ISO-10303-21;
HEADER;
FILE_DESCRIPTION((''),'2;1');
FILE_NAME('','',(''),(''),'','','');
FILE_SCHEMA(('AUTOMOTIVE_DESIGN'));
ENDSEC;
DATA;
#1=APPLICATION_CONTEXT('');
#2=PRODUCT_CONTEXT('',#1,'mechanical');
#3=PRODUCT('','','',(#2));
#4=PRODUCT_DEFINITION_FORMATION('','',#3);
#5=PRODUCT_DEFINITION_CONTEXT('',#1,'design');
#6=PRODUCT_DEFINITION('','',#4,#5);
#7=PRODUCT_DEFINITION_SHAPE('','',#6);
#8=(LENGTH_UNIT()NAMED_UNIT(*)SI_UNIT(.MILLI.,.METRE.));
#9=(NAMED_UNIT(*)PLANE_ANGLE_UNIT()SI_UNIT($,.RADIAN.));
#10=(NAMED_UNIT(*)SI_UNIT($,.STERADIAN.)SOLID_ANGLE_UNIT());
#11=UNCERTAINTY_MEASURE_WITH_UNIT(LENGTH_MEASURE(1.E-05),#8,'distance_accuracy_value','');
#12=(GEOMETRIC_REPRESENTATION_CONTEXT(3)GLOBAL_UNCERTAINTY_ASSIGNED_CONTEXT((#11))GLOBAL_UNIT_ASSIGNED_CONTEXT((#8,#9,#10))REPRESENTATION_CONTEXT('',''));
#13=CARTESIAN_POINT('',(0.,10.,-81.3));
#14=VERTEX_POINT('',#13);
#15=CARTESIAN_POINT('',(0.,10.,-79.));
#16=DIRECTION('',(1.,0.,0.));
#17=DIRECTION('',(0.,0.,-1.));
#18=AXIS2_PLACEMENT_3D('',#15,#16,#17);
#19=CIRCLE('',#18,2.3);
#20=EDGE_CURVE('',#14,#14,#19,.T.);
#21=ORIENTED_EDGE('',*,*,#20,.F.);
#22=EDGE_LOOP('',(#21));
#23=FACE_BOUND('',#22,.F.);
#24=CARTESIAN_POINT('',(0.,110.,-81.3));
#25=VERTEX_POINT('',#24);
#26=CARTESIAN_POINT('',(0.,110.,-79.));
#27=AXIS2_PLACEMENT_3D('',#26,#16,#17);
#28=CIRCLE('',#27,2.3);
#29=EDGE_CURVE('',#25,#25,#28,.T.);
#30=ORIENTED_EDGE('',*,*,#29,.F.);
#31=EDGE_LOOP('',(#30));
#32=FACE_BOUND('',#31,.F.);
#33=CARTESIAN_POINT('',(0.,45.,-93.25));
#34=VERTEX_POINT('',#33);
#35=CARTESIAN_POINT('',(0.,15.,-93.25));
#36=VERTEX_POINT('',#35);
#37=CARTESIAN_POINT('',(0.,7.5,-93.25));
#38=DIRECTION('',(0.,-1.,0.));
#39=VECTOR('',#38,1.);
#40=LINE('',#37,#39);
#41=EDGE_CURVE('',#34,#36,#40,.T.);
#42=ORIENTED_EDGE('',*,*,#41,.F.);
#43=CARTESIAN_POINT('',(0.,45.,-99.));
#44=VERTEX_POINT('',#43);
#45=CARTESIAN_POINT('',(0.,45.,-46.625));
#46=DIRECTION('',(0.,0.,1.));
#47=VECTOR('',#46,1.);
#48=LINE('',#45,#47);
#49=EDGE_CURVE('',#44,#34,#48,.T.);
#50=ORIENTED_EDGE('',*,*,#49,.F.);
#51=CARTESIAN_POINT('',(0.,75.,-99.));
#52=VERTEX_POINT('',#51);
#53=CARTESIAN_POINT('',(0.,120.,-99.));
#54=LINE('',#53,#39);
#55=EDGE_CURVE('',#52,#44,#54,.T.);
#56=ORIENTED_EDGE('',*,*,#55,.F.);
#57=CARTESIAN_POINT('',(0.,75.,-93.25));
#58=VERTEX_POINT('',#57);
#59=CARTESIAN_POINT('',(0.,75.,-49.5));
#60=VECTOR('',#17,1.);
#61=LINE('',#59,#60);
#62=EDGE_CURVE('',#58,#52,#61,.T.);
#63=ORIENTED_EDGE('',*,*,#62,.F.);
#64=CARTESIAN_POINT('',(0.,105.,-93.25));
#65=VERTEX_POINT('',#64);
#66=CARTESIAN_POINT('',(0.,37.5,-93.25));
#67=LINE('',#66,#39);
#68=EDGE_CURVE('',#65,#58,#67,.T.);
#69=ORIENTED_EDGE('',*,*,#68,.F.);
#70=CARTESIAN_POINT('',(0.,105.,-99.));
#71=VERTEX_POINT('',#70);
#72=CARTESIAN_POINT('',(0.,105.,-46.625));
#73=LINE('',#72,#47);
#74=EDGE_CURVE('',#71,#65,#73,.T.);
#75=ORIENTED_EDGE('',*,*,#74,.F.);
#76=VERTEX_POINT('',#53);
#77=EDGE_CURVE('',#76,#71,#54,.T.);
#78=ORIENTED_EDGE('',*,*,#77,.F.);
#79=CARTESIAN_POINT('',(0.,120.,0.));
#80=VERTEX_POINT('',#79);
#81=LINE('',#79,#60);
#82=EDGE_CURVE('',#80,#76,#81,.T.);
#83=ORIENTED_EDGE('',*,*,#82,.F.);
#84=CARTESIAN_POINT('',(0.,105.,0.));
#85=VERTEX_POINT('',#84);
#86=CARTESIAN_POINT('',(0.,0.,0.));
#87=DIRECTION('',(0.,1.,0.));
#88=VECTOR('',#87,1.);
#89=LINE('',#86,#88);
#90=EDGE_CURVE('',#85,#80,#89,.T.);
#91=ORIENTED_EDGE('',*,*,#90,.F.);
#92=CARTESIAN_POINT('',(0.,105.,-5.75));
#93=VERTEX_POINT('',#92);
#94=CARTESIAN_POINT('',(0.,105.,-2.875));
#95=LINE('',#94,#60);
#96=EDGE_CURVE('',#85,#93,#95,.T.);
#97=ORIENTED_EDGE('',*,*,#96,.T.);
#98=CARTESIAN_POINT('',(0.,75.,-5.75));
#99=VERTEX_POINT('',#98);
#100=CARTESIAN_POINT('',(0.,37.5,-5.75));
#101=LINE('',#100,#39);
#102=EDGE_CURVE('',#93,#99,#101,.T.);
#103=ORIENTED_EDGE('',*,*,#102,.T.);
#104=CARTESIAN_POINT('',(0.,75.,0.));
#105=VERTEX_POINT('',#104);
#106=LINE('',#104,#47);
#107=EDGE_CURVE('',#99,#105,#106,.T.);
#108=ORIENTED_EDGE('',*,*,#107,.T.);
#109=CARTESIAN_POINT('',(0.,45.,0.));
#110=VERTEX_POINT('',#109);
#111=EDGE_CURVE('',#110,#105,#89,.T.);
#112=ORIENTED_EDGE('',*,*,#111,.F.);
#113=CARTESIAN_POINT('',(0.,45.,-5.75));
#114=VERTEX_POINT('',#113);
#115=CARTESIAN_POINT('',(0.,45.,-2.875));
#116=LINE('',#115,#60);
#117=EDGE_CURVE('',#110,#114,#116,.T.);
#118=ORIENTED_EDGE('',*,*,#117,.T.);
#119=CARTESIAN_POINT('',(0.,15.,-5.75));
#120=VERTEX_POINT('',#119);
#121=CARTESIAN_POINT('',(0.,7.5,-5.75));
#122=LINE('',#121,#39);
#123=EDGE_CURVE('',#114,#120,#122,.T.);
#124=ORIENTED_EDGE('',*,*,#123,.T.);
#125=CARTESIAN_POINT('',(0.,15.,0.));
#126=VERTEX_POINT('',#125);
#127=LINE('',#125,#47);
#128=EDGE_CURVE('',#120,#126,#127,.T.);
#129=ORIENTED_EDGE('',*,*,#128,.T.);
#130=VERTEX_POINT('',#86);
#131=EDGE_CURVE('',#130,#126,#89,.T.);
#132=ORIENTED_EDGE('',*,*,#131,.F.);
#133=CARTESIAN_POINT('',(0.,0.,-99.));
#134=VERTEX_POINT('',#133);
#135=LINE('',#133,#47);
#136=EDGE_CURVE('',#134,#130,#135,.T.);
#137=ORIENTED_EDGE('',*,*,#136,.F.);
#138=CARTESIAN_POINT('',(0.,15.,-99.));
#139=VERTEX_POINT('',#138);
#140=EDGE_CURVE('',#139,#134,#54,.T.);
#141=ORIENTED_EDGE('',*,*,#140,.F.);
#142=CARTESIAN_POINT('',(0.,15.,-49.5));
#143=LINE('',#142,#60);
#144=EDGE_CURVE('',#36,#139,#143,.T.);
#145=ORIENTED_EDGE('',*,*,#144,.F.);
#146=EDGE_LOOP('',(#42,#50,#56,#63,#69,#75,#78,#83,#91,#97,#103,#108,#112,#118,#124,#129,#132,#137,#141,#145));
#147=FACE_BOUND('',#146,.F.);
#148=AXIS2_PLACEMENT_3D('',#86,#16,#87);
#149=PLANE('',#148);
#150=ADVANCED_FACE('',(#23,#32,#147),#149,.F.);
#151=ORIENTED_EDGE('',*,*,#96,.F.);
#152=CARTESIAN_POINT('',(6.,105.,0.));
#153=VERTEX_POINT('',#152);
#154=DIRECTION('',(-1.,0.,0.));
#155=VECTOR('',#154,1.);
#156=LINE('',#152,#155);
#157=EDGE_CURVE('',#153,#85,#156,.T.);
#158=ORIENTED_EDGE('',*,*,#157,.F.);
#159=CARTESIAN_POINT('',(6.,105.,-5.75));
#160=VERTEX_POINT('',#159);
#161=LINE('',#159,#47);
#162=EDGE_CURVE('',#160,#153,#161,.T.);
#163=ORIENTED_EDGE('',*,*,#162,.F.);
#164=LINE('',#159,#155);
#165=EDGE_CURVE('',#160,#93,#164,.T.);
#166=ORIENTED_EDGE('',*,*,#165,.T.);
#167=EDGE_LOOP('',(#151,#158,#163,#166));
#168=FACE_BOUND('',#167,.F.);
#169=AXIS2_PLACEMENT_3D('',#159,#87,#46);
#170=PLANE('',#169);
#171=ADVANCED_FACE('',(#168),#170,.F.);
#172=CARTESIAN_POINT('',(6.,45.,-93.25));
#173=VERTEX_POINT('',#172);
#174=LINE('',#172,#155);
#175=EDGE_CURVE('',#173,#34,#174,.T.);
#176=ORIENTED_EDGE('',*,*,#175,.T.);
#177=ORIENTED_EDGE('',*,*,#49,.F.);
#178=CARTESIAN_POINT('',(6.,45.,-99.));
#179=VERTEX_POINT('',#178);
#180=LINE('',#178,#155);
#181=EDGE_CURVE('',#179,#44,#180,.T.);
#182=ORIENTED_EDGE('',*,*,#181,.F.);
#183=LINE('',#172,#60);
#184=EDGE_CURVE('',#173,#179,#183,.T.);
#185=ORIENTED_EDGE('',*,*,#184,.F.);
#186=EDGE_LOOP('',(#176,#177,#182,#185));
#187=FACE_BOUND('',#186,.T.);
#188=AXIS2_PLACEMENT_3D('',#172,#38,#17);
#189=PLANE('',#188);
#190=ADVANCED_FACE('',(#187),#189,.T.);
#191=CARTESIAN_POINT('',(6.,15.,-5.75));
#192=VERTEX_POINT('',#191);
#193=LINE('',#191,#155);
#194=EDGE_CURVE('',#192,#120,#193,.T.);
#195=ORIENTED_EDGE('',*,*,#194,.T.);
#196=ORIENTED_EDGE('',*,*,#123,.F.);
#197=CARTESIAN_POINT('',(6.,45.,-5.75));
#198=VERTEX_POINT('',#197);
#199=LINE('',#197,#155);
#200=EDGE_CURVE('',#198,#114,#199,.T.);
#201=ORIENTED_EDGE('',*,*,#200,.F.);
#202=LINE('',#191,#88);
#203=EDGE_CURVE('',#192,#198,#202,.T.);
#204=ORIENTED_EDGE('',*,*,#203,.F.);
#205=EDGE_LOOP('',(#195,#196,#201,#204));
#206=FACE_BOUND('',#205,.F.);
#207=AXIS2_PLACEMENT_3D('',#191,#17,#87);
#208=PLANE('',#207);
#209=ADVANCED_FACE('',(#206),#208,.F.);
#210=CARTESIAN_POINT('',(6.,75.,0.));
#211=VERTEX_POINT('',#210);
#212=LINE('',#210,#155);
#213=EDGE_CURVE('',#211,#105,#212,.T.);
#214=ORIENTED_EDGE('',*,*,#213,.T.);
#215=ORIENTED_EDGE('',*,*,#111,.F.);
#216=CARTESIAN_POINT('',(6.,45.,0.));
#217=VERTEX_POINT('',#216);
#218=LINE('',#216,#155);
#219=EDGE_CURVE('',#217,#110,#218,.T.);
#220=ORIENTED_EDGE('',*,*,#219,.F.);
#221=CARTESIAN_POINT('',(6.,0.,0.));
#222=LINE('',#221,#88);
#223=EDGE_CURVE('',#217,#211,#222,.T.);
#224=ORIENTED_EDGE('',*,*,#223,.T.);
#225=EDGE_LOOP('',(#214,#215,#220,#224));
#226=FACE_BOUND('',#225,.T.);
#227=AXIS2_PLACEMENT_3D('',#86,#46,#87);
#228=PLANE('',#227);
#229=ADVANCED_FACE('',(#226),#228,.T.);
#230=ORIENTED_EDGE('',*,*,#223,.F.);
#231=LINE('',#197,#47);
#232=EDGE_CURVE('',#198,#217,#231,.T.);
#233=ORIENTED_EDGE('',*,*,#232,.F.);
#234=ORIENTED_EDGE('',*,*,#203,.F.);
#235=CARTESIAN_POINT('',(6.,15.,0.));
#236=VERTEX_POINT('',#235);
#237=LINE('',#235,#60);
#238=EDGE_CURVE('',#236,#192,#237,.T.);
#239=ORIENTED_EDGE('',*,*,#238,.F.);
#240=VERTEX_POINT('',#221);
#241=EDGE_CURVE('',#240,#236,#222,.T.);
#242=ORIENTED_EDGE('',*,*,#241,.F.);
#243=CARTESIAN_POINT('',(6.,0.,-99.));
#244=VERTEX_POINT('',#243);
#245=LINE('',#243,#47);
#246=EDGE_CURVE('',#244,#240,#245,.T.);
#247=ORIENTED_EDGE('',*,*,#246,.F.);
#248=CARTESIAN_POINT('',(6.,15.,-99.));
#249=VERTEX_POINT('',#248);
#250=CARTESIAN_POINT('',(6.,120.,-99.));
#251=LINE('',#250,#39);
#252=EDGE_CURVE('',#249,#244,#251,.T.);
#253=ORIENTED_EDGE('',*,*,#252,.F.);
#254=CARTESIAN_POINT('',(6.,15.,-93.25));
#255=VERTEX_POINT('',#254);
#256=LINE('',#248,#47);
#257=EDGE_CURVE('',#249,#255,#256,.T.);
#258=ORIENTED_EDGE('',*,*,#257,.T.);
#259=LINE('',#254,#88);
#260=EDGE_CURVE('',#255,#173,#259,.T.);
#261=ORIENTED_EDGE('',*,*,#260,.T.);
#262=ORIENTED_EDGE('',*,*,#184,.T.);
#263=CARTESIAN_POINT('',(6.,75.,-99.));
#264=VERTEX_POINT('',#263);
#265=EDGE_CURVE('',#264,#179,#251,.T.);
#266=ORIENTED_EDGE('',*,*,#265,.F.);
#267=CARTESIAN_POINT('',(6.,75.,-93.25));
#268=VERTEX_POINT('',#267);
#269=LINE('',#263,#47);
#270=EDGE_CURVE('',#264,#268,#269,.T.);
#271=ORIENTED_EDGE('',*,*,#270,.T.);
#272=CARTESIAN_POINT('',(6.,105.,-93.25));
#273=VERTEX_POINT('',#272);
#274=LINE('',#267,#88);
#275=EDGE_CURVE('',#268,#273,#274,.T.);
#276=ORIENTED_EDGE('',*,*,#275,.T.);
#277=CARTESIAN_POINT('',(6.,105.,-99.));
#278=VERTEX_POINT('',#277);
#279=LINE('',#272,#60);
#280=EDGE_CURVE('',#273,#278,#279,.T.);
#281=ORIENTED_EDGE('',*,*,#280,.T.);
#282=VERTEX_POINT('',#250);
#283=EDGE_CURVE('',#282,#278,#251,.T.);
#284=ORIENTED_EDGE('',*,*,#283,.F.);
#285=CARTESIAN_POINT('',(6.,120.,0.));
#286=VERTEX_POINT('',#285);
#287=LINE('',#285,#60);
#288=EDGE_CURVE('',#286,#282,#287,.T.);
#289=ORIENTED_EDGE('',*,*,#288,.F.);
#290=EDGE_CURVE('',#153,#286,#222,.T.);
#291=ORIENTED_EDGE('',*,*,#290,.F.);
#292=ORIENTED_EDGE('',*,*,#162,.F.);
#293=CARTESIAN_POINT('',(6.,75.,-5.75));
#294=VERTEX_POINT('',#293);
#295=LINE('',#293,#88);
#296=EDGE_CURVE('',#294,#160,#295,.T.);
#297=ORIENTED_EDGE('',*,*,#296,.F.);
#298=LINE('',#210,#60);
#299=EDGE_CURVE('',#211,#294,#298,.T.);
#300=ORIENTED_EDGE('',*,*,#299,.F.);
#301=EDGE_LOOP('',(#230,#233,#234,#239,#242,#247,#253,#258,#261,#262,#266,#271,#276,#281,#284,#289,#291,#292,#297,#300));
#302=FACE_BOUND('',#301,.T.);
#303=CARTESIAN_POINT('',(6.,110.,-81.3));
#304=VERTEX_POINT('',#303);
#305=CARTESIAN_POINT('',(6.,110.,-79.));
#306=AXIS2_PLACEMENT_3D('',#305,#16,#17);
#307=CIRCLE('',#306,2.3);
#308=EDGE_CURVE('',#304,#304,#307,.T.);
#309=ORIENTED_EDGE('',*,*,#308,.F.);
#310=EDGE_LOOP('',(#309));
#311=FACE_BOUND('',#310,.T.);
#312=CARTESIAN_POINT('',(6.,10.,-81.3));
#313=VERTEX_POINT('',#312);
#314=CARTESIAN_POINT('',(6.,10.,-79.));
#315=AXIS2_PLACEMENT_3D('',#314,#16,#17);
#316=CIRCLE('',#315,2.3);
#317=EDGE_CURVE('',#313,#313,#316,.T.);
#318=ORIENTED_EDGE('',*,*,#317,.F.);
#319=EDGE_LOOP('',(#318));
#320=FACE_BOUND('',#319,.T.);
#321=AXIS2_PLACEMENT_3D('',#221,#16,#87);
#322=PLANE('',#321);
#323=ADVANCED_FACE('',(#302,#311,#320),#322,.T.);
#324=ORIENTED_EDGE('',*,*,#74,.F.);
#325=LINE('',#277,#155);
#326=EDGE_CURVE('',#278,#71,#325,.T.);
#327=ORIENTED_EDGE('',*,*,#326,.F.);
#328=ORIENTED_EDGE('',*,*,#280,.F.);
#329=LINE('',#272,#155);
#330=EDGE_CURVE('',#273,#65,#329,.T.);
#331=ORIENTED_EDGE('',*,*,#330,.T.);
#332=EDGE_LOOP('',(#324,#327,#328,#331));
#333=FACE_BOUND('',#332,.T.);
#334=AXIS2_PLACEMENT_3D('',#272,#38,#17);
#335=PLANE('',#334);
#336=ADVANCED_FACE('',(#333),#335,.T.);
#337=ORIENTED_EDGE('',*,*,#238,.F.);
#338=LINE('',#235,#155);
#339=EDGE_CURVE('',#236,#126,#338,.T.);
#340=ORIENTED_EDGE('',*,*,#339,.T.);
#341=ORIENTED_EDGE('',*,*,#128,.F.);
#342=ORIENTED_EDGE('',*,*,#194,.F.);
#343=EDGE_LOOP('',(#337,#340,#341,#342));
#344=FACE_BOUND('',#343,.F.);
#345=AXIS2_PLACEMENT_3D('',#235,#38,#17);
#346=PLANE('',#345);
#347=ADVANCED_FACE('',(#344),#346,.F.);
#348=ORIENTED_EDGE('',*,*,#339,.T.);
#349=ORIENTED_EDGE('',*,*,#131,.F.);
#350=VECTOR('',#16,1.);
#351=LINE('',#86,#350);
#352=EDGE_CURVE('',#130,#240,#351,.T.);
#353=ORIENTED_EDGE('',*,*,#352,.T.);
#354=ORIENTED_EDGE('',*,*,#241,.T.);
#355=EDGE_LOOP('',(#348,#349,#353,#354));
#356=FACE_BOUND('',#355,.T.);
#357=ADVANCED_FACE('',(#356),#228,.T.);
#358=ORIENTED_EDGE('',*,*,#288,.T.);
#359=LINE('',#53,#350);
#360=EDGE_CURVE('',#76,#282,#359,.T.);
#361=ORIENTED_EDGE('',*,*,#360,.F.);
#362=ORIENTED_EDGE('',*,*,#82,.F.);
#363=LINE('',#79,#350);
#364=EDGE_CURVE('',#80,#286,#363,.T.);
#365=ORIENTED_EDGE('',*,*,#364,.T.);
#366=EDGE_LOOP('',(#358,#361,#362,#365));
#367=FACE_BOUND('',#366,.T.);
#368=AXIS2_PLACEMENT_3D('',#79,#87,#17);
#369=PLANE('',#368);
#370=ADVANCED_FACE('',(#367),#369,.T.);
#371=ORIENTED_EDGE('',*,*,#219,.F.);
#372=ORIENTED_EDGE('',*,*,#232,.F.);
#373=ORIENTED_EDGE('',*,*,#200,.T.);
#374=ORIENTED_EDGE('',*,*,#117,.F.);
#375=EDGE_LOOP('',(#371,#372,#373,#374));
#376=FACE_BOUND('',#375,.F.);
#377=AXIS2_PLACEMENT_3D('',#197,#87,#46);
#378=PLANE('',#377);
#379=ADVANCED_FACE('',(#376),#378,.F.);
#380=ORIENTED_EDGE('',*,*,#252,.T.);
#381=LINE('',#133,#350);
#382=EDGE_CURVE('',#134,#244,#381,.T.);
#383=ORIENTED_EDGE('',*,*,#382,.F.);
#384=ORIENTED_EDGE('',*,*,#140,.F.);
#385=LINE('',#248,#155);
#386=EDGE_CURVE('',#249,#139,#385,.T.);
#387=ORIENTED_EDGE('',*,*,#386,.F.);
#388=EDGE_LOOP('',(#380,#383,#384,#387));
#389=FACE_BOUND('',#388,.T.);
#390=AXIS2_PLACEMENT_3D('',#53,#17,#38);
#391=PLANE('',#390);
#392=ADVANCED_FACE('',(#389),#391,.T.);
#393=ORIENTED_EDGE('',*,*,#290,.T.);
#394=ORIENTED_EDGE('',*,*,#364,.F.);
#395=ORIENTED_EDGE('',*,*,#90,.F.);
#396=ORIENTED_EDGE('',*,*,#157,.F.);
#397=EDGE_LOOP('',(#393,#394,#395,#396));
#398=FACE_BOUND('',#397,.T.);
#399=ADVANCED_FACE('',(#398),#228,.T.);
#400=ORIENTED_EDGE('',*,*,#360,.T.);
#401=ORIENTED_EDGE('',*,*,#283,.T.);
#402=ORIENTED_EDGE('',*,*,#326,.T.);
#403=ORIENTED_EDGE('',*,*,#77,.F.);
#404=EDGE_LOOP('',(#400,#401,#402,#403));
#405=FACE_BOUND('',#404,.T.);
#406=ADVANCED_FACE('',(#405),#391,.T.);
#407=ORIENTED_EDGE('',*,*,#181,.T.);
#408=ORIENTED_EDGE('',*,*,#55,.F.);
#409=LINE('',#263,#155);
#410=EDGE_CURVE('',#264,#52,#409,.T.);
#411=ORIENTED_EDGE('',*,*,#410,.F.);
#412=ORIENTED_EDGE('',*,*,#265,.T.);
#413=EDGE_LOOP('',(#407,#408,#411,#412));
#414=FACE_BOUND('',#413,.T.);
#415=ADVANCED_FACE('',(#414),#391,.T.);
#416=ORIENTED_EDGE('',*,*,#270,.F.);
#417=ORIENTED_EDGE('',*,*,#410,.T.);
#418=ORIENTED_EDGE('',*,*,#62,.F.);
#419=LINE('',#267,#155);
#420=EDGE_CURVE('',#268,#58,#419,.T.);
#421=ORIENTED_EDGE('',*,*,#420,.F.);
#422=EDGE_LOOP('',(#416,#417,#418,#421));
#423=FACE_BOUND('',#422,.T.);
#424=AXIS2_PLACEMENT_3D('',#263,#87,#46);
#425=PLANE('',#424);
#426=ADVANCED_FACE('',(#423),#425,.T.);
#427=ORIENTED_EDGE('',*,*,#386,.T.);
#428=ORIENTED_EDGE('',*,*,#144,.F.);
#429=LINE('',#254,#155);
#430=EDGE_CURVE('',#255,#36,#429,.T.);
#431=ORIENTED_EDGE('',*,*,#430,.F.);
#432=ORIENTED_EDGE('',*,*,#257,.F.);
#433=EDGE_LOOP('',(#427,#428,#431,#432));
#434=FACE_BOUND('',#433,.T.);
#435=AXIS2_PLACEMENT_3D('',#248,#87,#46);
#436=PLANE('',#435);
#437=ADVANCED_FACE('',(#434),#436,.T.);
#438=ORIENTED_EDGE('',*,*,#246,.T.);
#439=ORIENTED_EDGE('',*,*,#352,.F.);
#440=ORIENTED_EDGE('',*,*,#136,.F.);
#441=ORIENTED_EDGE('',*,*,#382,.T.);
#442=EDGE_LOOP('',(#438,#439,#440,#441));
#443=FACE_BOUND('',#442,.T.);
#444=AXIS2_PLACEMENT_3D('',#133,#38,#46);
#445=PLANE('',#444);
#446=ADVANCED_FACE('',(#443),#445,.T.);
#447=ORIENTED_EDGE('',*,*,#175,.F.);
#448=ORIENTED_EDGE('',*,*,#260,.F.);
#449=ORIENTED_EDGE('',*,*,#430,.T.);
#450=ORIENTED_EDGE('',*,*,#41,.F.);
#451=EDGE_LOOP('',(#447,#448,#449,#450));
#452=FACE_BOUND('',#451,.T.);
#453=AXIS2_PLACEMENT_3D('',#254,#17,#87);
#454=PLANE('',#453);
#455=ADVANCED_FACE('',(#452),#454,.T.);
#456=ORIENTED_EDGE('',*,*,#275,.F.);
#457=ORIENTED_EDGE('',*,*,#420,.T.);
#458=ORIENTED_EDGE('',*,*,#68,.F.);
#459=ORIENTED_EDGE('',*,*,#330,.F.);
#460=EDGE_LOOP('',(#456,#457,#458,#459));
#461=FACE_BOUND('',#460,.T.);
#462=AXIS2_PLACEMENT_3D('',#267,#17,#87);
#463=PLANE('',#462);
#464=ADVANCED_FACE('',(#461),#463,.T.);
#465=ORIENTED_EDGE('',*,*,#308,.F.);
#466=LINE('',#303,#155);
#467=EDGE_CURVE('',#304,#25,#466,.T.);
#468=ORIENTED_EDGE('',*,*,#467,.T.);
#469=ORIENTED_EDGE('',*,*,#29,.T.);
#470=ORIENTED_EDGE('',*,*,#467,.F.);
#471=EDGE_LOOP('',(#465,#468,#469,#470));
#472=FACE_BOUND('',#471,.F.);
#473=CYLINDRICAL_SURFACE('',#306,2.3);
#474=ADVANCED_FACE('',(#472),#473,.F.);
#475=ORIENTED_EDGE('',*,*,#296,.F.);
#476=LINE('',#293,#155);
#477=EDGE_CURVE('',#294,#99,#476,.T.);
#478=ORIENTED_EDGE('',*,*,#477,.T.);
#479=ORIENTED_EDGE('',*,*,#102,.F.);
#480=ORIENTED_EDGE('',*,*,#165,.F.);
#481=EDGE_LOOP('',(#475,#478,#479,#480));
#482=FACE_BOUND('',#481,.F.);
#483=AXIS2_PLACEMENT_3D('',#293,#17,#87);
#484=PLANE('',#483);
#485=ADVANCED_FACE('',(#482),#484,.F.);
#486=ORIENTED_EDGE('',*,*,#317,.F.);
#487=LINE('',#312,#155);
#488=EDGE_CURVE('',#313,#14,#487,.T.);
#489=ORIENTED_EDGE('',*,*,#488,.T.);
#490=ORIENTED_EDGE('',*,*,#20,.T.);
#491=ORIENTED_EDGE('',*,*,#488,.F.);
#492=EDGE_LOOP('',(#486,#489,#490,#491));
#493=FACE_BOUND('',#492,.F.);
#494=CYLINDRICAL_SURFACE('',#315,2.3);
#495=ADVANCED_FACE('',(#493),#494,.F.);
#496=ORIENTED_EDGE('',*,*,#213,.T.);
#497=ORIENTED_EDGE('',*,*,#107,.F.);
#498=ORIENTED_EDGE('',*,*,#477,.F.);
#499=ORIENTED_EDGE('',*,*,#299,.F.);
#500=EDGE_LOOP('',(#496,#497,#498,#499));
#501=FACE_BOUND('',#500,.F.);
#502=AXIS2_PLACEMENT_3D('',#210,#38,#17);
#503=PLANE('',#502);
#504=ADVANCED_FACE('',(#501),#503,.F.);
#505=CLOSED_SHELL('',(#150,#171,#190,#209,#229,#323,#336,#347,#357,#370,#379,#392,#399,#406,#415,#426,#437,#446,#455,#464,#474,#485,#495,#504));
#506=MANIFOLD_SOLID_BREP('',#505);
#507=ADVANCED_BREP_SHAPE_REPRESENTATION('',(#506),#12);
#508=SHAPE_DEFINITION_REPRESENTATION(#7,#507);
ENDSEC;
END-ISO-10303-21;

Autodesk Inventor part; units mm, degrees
ref_plane "YZ Plane" through (0, 0, 0) normal (1, 0, 0) x (0, 1, 0)
ref_plane "XZ Plane" through (0, 0, 0) normal (0, 1, 0) x (-1, 0, 0)
ref_plane "XY Plane" through (0, 0, 0) normal (0, 0, 1) x (1, 0, 0)
sketch "Sketch1" plane through (0, 0, 0) normal (1, 0, 0) x (0, 1, 0)
  line L0 (0, 0) -> (120, 0)
  line L1 (120, 0) -> (120, -99)
  line L2 (120, -99) -> (0, -99)
  line L3 (0, -99) -> (0, 0)
  dimension "d0" = 120
  dimension "d1" = 99
extrude "Extrusion1" add sketch "Sketch1" along normal blind 6
sketch "Sketch2" plane through (6, 0, 0) normal (1, 0, 0) x (0, 0, -1)
  line L0 (0, 120) -> (0, 0) projected
  line L1 (0, 0) -> (99, 0) projected
  line L2 (99, 0) -> (99, 120) projected
  line L3 (99, 120) -> (0, 120) projected
  line L4 (0, 120) -> (0, 0) projected
  line L5 (0, 15) -> (5.75, 15)
  line L6 (5.75, 15) -> (5.75, 45)
  line L7 (5.75, 45) -> (0, 45)
  line L8 (0, 45) -> (0, 15)
  line L9 (0, 75) -> (5.75, 75)
  line L10 (5.75, 75) -> (5.75, 105)
  line L11 (5.75, 105) -> (0, 105)
  line L12 (0, 105) -> (0, 75)
  line L13 (99, 15) -> (93.25, 15)
  line L14 (93.25, 15) -> (93.25, 45)
  line L15 (93.25, 45) -> (99, 45)
  line L16 (99, 45) -> (99, 15)
  line L17 (99, 75) -> (93.25, 75)
  line L18 (93.25, 75) -> (93.25, 105)
  line L19 (93.25, 105) -> (99, 105)
  line L20 (99, 105) -> (99, 75)
  line L21 (-12.0657, 60) -> (104.2665, 60)
  line L22 (99, 120) -> (0, 120) projected
  dimension "d5" = 5.75
  dimension "d6" = 5.75
  dimension "d8" = 30
  dimension "d9" = 30
  dimension "d22" = 60
  dimension "d23" = 15
  dimension "d24" = 15
extrude "Extrusion2" cut sketch "Sketch2" against normal up to next contours L11 L10 L9 L0 | L2 L17 L18 L19 | L7 L6 L5 L0 | L2 L13 L14 L15
sketch "Sketch3" plane through (6, 0, 0) normal (1, 0, 0) x (0, 0, -1)
  circle A0 centre (79, 10) radius 2.3
  circle A1 centre (79, 110) radius 2.3
  line L0 (99, 105) -> (99, 120) projected
  line L1 (99, 120) -> (0, 120) projected
  line L2 (99, 0) -> (99, 15) projected
  line L3 (0, 0) -> (99, 0) projected
  dimension "d13" = 20
  dimension "d14" = 10
  dimension "d15" = 4.6
  dimension "d17" = 10
  dimension "d18" = 20
  dimension "d19" = 4.6
extrude "Extrusion3" cut sketch "Sketch3" against normal up to next
properties part number "Side"
